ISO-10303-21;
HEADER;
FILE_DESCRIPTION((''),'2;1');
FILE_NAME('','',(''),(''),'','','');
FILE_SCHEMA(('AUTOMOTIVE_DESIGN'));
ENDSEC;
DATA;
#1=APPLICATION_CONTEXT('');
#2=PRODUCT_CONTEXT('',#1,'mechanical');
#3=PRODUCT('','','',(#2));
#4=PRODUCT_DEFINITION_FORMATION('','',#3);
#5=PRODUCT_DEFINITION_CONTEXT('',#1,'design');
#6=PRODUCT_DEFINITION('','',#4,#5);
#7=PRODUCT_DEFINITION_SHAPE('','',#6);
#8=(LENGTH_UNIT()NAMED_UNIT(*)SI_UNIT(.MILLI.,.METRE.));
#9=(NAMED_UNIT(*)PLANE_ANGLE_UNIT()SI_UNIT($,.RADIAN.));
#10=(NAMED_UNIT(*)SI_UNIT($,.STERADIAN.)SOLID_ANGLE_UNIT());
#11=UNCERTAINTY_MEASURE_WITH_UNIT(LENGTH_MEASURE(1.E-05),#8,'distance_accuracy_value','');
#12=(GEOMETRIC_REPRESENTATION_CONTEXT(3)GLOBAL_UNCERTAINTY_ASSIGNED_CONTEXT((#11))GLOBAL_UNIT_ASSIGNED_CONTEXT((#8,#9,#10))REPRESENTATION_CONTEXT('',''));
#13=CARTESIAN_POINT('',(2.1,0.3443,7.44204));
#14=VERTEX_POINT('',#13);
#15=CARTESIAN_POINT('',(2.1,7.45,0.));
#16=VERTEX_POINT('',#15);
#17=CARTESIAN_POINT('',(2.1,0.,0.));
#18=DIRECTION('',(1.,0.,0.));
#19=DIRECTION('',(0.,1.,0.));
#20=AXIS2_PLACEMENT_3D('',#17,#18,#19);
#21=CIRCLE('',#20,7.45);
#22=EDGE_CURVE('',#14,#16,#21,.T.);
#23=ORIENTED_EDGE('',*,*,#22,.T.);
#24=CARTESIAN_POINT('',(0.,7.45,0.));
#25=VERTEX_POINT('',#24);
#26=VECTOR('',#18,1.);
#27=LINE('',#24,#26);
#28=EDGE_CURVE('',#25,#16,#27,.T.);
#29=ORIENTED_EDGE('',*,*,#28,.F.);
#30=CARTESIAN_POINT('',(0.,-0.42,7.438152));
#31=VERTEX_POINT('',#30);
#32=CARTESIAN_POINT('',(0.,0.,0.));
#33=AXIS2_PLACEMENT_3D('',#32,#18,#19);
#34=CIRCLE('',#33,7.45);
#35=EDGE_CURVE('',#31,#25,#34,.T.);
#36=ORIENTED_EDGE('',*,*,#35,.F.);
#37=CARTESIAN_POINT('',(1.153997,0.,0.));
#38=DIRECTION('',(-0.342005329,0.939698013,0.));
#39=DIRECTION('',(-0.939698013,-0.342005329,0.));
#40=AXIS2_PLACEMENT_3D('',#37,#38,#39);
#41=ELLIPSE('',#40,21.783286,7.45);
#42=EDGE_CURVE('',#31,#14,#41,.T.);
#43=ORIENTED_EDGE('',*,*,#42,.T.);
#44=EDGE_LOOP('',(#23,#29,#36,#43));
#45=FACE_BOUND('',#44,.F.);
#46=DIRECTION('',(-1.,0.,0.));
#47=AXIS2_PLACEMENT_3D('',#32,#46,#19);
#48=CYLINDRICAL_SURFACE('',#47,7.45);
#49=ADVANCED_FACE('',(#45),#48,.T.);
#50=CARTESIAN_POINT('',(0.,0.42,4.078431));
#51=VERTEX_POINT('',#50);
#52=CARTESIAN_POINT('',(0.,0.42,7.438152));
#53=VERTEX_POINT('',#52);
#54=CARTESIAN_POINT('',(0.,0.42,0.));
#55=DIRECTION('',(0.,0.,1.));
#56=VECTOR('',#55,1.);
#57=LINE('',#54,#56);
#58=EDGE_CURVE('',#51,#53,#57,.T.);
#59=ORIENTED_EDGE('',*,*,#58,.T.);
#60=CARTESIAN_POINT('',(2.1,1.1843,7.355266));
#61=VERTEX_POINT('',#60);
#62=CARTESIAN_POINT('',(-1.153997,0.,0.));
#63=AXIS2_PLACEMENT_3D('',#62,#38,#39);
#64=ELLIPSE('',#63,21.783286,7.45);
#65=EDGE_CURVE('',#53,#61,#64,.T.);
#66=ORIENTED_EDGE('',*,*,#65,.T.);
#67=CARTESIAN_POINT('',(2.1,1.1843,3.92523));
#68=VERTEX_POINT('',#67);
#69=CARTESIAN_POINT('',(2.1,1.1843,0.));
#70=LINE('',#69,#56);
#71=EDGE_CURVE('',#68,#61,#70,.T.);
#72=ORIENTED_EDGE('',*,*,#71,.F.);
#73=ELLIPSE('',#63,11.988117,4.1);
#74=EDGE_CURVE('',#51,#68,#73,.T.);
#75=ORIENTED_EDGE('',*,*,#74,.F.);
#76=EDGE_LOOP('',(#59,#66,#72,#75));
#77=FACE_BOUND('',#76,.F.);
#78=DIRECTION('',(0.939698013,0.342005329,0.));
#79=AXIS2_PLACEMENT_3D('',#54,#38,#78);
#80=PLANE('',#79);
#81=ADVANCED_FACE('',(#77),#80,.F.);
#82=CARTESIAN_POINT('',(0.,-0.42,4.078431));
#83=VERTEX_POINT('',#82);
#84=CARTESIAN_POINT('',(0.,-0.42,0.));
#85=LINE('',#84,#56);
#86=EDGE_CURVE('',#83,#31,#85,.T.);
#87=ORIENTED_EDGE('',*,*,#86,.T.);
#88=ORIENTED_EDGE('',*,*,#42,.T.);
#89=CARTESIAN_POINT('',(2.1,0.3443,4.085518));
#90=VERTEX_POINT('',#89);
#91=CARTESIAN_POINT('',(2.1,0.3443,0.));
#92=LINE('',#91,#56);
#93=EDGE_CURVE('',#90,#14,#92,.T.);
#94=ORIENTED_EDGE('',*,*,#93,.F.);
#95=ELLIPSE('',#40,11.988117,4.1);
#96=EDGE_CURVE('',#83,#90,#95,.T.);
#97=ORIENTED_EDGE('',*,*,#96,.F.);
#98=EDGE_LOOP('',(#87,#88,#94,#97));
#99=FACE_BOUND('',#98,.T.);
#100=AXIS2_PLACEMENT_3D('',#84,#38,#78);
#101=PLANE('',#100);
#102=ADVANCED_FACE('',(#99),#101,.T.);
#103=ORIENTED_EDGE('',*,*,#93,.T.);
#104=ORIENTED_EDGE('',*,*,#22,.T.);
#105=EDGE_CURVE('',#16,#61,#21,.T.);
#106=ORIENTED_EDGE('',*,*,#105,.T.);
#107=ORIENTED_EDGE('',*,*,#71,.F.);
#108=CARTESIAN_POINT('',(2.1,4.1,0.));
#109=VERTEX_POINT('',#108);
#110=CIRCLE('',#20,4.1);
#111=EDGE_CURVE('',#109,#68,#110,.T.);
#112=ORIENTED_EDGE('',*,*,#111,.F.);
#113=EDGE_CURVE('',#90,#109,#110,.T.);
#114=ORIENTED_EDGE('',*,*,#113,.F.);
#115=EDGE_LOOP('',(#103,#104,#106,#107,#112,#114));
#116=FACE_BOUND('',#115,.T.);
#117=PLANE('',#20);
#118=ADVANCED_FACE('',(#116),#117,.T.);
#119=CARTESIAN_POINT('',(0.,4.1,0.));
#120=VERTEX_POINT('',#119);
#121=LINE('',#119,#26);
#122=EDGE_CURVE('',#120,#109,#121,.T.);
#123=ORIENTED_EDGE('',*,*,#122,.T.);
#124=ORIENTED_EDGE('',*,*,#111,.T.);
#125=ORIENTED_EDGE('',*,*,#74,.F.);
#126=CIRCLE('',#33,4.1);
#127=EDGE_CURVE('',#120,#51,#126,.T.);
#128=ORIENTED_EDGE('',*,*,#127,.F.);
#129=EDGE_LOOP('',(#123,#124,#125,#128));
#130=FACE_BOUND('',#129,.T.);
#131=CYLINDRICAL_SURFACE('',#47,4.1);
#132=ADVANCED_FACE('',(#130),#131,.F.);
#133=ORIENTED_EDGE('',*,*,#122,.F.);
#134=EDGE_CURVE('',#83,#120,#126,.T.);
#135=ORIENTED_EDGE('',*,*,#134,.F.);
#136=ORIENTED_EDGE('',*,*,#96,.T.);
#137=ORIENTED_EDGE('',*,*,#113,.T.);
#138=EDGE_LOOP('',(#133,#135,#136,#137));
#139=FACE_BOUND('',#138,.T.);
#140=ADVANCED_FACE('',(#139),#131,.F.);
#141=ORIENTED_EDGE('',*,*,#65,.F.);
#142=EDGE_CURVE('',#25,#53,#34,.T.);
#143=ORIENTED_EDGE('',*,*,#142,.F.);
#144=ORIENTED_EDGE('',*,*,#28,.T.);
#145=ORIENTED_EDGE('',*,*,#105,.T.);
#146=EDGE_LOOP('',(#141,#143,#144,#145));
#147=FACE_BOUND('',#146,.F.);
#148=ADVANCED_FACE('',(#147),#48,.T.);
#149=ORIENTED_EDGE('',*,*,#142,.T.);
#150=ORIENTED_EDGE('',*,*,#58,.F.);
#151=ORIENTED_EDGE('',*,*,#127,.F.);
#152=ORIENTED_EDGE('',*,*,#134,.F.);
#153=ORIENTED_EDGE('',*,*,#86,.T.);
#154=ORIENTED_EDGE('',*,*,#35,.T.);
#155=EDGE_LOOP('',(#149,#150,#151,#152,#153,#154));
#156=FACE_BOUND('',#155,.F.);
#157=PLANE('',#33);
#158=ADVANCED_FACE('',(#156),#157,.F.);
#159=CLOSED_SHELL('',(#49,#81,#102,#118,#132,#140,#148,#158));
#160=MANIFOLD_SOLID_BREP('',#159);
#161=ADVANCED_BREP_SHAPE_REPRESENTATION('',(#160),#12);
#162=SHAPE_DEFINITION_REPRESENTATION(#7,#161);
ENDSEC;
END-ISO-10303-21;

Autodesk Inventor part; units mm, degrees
ref_plane "YZ Plane" through (0, 0, 0) normal (1, 0, 0) x (0, 1, 0)
ref_plane "XZ Plane" through (0, 0, 0) normal (0, 1, 0) x (-1, 0, 0)
sketch "Szkic1" plane through (0, 0, 0) normal (1, 0, 0) x (0, 1, 0)
  circle A0 centre (0, 0) radius 7.45
  circle A1 centre (0, 0) radius 4.1
  dimension "d0" = 8.2
  dimension "d1" = 14.9
extrude "Bryła" add sketch "Szkic1" along normal blind 2.1
sketch "Szkic2" plane through (0, 0, 0) normal (0, 0, 1) x (1, 0, 0)
  line L0 (0, -4.1) -> (0, 4.1) projected
  line L1 (2.1, 7.45) -> (2.1, -7.45) projected
  line L2 (-1.2, 0) -> (7.2, 0) projected
  line L3 (0, -0.42) -> (2.1, 0.3443)
  line L4 (0, 0.42) -> (2.1, 1.1843)
  dimension "d4" = 0.42
  dimension "d5" = 0.42
  dimension "d6" = 70
extrude "Wycięcie" cut sketch "Szkic2" along normal up to next contours L0 L2 L3 | L0 L4 L1 L3 L2
ref_plane "Work Plane1" through (0, 0, 0) normal (0, -1, 0) x (1, 0, 0)
equation "\"d0\" = SD1"
equation "\"d1\" = SD2"
equation "\"d2\" = SD"
equation "\"d4\" = 0.2 * SD"
equation "\"d5\" = 0.2 * SD"
equation "\"d6\" = FAWI"
equation "\"d7\" = SD"
equation "\"SD1\" = 8.2"
equation "\"SD2\" = 14.9"
equation "\"SD\" = 2.1"
equation "\"FAWI\" = 70deg"
equation "\"NND\" = 8"
properties part number "AS 1968 - 1976 - 8" material "Stal, miękka"
